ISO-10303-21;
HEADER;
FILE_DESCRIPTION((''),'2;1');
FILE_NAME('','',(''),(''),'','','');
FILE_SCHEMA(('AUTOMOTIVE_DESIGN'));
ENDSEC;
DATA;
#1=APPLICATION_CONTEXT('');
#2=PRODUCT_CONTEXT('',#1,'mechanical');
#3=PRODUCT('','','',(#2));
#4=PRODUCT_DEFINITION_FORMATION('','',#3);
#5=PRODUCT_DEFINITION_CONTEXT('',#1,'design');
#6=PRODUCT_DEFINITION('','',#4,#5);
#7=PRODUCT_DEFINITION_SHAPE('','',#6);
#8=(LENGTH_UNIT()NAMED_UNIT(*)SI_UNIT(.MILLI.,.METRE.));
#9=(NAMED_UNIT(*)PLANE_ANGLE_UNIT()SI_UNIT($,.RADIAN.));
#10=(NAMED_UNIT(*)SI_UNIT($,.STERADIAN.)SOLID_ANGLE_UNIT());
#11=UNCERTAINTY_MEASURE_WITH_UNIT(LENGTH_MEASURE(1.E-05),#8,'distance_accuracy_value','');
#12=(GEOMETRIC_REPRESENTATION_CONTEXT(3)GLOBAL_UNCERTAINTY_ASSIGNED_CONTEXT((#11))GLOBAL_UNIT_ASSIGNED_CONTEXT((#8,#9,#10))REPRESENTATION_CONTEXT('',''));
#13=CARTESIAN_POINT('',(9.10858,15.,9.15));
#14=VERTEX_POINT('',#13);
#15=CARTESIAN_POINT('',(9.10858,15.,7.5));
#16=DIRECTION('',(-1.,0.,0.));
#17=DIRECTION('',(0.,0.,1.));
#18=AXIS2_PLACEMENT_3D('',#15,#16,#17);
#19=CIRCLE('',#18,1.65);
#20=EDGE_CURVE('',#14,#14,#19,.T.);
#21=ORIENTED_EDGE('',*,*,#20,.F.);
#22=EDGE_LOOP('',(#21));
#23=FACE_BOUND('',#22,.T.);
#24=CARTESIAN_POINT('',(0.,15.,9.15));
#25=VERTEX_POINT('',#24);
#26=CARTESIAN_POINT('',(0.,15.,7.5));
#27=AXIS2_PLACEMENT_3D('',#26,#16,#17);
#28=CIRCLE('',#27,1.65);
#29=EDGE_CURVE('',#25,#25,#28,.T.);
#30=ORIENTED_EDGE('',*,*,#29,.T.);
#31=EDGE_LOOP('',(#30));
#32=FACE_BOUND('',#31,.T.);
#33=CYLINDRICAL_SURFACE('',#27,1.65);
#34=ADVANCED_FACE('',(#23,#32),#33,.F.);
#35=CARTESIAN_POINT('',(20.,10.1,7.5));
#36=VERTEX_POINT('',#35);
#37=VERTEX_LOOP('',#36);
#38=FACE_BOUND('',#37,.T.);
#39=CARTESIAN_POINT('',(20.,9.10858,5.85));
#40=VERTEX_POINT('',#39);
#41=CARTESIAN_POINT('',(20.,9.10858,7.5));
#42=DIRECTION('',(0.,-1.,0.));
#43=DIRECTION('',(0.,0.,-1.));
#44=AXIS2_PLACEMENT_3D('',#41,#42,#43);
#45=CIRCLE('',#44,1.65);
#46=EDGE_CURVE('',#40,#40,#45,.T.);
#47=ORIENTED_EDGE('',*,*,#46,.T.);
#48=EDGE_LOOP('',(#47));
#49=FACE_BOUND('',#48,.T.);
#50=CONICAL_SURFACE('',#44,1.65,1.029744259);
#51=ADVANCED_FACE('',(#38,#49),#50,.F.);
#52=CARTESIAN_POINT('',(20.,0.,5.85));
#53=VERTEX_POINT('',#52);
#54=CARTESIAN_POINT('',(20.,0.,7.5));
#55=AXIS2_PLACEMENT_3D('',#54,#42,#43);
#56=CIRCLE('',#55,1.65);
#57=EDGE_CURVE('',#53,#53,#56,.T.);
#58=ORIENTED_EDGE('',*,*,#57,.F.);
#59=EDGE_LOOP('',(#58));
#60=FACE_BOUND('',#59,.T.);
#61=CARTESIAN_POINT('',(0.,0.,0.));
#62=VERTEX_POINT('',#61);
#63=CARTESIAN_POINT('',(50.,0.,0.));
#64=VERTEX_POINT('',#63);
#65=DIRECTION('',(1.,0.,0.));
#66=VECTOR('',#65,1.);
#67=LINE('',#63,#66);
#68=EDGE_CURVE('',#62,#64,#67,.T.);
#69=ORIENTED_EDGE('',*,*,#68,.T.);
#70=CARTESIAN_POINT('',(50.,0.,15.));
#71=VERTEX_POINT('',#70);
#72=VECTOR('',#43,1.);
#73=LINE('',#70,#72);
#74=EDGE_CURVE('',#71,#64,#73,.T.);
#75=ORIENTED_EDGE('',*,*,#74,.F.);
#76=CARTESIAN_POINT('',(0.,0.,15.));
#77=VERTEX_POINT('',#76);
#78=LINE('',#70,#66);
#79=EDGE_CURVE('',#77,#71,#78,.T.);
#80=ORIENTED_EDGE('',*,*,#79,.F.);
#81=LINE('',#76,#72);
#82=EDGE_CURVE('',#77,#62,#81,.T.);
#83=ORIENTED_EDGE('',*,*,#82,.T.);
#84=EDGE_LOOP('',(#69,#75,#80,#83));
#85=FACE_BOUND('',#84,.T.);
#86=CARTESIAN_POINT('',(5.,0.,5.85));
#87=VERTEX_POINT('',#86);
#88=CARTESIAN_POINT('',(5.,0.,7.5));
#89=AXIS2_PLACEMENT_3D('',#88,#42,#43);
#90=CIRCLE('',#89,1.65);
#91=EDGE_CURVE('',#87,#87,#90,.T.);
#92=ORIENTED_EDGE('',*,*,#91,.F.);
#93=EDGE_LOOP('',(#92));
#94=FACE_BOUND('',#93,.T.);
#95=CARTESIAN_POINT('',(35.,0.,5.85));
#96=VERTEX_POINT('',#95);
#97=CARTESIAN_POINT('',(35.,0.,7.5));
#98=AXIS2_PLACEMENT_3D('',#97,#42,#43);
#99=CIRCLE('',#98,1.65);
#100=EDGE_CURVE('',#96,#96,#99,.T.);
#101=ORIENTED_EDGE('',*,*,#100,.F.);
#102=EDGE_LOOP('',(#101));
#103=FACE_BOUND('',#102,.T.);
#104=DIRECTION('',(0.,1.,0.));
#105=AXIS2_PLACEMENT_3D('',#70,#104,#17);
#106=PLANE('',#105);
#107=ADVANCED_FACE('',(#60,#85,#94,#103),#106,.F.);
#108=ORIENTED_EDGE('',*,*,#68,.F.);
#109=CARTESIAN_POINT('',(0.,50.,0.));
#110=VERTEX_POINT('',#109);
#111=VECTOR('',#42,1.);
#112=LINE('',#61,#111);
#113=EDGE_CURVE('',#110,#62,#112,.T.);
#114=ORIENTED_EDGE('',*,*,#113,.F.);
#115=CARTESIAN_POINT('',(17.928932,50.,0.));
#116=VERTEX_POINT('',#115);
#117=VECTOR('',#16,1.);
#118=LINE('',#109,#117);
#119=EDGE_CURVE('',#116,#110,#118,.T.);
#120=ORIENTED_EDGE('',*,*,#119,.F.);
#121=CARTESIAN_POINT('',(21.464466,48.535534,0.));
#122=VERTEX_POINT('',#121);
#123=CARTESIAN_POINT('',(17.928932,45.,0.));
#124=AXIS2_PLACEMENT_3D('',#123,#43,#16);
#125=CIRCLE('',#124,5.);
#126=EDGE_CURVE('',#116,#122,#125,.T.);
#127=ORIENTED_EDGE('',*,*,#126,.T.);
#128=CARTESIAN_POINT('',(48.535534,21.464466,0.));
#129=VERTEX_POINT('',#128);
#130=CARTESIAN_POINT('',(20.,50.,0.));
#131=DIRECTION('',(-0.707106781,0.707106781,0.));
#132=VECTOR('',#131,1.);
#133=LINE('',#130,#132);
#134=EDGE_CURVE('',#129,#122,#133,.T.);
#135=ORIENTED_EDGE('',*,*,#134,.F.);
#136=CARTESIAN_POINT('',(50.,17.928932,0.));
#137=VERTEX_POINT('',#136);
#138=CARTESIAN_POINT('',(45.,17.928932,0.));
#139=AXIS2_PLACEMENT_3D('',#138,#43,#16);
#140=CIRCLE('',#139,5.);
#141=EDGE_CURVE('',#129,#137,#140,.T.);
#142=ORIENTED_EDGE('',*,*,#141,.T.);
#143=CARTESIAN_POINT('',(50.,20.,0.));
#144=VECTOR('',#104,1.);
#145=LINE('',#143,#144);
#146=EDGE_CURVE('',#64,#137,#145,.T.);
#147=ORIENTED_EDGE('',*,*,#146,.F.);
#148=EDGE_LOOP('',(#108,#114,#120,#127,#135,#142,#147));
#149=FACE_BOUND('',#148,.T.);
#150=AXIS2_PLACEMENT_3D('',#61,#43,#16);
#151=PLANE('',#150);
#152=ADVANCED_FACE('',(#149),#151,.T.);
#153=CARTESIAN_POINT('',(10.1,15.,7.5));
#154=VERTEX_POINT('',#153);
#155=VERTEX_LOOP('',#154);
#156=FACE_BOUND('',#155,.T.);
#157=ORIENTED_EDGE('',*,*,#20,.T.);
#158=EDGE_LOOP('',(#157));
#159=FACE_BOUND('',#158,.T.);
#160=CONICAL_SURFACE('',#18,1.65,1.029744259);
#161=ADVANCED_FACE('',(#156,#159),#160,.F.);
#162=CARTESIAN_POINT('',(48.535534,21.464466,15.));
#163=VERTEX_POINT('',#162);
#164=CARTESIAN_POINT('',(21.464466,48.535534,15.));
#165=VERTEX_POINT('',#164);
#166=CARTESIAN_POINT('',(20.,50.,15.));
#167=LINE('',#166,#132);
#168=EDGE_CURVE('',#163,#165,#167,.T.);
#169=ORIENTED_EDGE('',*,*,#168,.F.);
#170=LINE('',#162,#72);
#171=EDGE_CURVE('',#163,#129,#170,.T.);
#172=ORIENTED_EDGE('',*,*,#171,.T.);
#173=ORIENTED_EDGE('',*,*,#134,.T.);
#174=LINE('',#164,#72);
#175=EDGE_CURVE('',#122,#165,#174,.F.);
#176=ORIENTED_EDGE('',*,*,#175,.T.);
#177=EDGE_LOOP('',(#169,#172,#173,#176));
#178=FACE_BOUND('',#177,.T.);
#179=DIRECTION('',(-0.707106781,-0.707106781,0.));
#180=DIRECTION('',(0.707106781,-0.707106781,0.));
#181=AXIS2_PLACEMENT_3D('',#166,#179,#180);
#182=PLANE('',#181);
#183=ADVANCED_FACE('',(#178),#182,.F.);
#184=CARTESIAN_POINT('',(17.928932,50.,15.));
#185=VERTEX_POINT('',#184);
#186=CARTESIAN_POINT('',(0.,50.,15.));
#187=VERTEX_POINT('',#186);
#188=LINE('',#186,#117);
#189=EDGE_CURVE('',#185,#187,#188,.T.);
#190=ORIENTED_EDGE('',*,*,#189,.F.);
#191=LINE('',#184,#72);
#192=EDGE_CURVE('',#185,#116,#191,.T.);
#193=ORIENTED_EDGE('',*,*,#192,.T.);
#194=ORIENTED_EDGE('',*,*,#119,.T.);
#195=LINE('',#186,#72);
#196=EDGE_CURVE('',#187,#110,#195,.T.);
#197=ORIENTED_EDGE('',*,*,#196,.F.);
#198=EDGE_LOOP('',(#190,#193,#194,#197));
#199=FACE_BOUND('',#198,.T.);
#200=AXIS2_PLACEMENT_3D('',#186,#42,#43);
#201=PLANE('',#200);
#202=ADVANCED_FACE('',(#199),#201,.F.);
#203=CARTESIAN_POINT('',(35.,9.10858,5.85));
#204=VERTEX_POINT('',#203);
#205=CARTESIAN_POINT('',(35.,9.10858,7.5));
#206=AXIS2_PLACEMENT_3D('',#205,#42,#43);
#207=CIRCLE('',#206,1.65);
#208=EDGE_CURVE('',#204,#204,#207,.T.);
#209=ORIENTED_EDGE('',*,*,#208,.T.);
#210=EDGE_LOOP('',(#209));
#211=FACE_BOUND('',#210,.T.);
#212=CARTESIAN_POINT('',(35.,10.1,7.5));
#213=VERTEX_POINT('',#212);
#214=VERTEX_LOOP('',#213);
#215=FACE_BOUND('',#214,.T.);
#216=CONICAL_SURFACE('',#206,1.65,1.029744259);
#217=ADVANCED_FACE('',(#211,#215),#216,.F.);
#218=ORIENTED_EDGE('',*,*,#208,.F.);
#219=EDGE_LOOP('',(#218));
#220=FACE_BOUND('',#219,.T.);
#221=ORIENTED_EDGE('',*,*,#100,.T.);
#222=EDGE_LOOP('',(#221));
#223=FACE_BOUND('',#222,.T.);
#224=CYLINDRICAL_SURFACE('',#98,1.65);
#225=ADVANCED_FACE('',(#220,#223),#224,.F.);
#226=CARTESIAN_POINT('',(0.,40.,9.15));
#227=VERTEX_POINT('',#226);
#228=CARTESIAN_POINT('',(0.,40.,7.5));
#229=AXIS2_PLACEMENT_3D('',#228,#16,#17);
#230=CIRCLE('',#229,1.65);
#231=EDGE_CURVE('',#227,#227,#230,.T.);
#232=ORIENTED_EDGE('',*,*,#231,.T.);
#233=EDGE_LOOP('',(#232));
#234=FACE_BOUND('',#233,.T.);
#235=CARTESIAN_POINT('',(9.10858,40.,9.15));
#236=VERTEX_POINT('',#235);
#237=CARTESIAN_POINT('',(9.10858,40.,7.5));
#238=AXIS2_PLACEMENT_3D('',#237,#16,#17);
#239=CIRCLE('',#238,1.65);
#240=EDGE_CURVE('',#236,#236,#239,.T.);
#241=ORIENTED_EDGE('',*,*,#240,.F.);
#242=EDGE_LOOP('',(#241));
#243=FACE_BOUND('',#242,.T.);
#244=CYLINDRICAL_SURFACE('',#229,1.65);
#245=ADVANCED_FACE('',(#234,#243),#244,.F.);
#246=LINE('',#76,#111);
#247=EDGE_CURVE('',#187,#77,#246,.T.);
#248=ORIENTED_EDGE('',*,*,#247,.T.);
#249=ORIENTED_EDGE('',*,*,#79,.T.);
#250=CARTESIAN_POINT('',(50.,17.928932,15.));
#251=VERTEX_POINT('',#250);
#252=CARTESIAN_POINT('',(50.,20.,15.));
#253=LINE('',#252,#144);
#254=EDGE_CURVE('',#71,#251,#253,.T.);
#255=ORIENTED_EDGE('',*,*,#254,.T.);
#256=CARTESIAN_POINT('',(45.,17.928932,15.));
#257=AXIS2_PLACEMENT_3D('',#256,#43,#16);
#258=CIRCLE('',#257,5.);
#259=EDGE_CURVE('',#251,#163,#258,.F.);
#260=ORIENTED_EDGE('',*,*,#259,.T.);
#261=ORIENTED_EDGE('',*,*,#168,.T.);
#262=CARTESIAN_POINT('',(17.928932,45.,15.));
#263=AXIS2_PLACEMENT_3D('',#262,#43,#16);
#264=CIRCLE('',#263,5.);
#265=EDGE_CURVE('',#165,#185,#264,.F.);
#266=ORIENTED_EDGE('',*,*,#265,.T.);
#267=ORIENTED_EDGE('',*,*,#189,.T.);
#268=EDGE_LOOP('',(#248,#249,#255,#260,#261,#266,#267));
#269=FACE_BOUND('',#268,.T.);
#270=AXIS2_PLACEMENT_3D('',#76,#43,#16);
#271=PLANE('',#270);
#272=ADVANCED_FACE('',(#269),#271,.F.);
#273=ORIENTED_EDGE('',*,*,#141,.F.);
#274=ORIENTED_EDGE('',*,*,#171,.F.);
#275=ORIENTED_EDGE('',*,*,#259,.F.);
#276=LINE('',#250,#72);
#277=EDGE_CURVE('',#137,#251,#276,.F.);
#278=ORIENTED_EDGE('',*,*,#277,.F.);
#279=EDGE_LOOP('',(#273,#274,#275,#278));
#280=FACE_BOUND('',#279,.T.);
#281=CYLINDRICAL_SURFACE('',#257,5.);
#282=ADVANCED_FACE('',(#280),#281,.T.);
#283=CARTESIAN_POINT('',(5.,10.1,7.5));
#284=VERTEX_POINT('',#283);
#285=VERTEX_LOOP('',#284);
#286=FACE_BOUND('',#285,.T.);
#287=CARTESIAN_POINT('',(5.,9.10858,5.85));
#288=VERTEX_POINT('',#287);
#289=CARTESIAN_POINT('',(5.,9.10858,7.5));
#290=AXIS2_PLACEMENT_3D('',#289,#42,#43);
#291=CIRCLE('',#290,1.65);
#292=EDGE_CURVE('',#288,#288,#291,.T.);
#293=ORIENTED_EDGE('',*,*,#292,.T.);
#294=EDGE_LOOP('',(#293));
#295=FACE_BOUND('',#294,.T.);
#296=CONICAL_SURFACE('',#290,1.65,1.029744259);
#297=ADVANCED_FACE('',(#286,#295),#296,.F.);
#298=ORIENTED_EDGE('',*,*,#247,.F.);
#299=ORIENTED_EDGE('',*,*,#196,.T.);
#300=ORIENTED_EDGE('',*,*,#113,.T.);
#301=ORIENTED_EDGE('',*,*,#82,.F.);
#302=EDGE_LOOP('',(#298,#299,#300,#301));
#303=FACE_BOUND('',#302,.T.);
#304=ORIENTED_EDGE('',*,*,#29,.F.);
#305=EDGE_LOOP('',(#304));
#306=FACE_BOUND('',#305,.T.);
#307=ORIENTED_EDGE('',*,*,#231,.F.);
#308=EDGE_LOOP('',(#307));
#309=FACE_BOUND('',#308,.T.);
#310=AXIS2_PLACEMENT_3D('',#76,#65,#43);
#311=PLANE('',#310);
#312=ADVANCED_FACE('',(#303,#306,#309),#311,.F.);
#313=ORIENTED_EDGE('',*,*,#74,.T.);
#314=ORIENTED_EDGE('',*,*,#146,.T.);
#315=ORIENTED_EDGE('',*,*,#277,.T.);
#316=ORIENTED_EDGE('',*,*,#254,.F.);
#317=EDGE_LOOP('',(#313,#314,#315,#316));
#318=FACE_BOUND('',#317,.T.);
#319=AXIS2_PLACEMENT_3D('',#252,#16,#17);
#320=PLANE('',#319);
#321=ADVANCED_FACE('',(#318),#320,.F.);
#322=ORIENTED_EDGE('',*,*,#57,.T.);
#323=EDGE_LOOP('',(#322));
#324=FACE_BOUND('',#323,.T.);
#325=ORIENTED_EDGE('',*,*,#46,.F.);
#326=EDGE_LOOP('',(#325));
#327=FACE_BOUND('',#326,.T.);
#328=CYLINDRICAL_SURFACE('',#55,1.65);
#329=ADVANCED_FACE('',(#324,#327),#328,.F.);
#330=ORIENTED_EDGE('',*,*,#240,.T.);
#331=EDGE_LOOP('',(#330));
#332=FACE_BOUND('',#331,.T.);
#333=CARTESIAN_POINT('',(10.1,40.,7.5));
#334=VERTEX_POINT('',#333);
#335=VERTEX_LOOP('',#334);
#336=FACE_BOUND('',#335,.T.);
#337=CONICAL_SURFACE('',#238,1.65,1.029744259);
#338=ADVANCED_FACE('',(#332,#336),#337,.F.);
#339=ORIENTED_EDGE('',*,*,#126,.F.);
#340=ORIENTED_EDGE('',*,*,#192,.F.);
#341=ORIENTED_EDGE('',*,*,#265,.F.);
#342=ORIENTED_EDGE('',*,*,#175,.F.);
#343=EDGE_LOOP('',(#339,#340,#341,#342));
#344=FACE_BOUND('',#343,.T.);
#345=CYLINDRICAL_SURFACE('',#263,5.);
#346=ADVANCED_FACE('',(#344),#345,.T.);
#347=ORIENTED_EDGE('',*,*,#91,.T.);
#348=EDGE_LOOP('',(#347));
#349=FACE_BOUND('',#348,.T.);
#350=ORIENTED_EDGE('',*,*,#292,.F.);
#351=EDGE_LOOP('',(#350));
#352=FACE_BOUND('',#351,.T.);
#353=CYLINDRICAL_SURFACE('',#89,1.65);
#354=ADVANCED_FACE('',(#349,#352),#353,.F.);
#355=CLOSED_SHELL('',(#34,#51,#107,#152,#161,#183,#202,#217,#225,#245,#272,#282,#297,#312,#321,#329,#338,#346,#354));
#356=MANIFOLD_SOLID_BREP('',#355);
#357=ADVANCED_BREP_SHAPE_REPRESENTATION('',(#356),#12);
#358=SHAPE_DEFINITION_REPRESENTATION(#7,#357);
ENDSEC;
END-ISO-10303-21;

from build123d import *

# Parameters (mm, degrees)
BOSS_EXTRUDE1_DEPTH   = 15
M4_TAPPED_HOLE1_D     = 3.3
M4_TAPPED_HOLE1_DEPTH = 9.108579979
M4_TAPPED_HOLE1_TIP   = 0.991420021
M4_TAPPED_HOLE2_D     = 3.3
M4_TAPPED_HOLE2_DEPTH = 9.108579979
M4_TAPPED_HOLE2_TIP   = 0.991420021
FILLET1_R             = 5


with BuildPart() as part:
    # Sketch1 → Boss-Extrude1 (new body)
    with BuildSketch(Plane.XY):
        Polygon((0, 50), (20, 50), (50, 20), (50, 0), (0, 0), align=None)
    extrude(amount=BOSS_EXTRUDE1_DEPTH)

    # M4 Tapped Hole1
    with Locations(Plane(origin=(0, 40, 7.5), x_dir=(0, 0, -1), z_dir=(-1, 0, 0))):
        with Locations((0, 0), (0, 25)):
            Hole(M4_TAPPED_HOLE1_D / 2, depth=M4_TAPPED_HOLE1_DEPTH)
            with Locations((0, 0, -(M4_TAPPED_HOLE1_DEPTH + M4_TAPPED_HOLE1_TIP / 2))):  # 118° drill point
                Cone(0, M4_TAPPED_HOLE1_D / 2, M4_TAPPED_HOLE1_TIP, mode=Mode.SUBTRACT)

    # M4 Tapped Hole2
    with Locations(Plane(origin=(0, 0, 0), x_dir=(-1, 0, 0), z_dir=(0, -1, 0))):
        with Locations((-35, -7.5), (-20, -7.5), (-5, -7.5)):
            Hole(M4_TAPPED_HOLE2_D / 2, depth=M4_TAPPED_HOLE2_DEPTH)
            with Locations((0, 0, -(M4_TAPPED_HOLE2_DEPTH + M4_TAPPED_HOLE2_TIP / 2))):  # 118° drill point
                Cone(0, M4_TAPPED_HOLE2_D / 2, M4_TAPPED_HOLE2_TIP, mode=Mode.SUBTRACT)

    # Fillet1
    fillet1_edges = [part.edges().sort_by_distance(p)[0] for p in [
        (20, 50, 7.5),
        (50, 20, 7.5),
    ]]
    fillet(fillet1_edges, radius=FILLET1_R)


solid = part.part
